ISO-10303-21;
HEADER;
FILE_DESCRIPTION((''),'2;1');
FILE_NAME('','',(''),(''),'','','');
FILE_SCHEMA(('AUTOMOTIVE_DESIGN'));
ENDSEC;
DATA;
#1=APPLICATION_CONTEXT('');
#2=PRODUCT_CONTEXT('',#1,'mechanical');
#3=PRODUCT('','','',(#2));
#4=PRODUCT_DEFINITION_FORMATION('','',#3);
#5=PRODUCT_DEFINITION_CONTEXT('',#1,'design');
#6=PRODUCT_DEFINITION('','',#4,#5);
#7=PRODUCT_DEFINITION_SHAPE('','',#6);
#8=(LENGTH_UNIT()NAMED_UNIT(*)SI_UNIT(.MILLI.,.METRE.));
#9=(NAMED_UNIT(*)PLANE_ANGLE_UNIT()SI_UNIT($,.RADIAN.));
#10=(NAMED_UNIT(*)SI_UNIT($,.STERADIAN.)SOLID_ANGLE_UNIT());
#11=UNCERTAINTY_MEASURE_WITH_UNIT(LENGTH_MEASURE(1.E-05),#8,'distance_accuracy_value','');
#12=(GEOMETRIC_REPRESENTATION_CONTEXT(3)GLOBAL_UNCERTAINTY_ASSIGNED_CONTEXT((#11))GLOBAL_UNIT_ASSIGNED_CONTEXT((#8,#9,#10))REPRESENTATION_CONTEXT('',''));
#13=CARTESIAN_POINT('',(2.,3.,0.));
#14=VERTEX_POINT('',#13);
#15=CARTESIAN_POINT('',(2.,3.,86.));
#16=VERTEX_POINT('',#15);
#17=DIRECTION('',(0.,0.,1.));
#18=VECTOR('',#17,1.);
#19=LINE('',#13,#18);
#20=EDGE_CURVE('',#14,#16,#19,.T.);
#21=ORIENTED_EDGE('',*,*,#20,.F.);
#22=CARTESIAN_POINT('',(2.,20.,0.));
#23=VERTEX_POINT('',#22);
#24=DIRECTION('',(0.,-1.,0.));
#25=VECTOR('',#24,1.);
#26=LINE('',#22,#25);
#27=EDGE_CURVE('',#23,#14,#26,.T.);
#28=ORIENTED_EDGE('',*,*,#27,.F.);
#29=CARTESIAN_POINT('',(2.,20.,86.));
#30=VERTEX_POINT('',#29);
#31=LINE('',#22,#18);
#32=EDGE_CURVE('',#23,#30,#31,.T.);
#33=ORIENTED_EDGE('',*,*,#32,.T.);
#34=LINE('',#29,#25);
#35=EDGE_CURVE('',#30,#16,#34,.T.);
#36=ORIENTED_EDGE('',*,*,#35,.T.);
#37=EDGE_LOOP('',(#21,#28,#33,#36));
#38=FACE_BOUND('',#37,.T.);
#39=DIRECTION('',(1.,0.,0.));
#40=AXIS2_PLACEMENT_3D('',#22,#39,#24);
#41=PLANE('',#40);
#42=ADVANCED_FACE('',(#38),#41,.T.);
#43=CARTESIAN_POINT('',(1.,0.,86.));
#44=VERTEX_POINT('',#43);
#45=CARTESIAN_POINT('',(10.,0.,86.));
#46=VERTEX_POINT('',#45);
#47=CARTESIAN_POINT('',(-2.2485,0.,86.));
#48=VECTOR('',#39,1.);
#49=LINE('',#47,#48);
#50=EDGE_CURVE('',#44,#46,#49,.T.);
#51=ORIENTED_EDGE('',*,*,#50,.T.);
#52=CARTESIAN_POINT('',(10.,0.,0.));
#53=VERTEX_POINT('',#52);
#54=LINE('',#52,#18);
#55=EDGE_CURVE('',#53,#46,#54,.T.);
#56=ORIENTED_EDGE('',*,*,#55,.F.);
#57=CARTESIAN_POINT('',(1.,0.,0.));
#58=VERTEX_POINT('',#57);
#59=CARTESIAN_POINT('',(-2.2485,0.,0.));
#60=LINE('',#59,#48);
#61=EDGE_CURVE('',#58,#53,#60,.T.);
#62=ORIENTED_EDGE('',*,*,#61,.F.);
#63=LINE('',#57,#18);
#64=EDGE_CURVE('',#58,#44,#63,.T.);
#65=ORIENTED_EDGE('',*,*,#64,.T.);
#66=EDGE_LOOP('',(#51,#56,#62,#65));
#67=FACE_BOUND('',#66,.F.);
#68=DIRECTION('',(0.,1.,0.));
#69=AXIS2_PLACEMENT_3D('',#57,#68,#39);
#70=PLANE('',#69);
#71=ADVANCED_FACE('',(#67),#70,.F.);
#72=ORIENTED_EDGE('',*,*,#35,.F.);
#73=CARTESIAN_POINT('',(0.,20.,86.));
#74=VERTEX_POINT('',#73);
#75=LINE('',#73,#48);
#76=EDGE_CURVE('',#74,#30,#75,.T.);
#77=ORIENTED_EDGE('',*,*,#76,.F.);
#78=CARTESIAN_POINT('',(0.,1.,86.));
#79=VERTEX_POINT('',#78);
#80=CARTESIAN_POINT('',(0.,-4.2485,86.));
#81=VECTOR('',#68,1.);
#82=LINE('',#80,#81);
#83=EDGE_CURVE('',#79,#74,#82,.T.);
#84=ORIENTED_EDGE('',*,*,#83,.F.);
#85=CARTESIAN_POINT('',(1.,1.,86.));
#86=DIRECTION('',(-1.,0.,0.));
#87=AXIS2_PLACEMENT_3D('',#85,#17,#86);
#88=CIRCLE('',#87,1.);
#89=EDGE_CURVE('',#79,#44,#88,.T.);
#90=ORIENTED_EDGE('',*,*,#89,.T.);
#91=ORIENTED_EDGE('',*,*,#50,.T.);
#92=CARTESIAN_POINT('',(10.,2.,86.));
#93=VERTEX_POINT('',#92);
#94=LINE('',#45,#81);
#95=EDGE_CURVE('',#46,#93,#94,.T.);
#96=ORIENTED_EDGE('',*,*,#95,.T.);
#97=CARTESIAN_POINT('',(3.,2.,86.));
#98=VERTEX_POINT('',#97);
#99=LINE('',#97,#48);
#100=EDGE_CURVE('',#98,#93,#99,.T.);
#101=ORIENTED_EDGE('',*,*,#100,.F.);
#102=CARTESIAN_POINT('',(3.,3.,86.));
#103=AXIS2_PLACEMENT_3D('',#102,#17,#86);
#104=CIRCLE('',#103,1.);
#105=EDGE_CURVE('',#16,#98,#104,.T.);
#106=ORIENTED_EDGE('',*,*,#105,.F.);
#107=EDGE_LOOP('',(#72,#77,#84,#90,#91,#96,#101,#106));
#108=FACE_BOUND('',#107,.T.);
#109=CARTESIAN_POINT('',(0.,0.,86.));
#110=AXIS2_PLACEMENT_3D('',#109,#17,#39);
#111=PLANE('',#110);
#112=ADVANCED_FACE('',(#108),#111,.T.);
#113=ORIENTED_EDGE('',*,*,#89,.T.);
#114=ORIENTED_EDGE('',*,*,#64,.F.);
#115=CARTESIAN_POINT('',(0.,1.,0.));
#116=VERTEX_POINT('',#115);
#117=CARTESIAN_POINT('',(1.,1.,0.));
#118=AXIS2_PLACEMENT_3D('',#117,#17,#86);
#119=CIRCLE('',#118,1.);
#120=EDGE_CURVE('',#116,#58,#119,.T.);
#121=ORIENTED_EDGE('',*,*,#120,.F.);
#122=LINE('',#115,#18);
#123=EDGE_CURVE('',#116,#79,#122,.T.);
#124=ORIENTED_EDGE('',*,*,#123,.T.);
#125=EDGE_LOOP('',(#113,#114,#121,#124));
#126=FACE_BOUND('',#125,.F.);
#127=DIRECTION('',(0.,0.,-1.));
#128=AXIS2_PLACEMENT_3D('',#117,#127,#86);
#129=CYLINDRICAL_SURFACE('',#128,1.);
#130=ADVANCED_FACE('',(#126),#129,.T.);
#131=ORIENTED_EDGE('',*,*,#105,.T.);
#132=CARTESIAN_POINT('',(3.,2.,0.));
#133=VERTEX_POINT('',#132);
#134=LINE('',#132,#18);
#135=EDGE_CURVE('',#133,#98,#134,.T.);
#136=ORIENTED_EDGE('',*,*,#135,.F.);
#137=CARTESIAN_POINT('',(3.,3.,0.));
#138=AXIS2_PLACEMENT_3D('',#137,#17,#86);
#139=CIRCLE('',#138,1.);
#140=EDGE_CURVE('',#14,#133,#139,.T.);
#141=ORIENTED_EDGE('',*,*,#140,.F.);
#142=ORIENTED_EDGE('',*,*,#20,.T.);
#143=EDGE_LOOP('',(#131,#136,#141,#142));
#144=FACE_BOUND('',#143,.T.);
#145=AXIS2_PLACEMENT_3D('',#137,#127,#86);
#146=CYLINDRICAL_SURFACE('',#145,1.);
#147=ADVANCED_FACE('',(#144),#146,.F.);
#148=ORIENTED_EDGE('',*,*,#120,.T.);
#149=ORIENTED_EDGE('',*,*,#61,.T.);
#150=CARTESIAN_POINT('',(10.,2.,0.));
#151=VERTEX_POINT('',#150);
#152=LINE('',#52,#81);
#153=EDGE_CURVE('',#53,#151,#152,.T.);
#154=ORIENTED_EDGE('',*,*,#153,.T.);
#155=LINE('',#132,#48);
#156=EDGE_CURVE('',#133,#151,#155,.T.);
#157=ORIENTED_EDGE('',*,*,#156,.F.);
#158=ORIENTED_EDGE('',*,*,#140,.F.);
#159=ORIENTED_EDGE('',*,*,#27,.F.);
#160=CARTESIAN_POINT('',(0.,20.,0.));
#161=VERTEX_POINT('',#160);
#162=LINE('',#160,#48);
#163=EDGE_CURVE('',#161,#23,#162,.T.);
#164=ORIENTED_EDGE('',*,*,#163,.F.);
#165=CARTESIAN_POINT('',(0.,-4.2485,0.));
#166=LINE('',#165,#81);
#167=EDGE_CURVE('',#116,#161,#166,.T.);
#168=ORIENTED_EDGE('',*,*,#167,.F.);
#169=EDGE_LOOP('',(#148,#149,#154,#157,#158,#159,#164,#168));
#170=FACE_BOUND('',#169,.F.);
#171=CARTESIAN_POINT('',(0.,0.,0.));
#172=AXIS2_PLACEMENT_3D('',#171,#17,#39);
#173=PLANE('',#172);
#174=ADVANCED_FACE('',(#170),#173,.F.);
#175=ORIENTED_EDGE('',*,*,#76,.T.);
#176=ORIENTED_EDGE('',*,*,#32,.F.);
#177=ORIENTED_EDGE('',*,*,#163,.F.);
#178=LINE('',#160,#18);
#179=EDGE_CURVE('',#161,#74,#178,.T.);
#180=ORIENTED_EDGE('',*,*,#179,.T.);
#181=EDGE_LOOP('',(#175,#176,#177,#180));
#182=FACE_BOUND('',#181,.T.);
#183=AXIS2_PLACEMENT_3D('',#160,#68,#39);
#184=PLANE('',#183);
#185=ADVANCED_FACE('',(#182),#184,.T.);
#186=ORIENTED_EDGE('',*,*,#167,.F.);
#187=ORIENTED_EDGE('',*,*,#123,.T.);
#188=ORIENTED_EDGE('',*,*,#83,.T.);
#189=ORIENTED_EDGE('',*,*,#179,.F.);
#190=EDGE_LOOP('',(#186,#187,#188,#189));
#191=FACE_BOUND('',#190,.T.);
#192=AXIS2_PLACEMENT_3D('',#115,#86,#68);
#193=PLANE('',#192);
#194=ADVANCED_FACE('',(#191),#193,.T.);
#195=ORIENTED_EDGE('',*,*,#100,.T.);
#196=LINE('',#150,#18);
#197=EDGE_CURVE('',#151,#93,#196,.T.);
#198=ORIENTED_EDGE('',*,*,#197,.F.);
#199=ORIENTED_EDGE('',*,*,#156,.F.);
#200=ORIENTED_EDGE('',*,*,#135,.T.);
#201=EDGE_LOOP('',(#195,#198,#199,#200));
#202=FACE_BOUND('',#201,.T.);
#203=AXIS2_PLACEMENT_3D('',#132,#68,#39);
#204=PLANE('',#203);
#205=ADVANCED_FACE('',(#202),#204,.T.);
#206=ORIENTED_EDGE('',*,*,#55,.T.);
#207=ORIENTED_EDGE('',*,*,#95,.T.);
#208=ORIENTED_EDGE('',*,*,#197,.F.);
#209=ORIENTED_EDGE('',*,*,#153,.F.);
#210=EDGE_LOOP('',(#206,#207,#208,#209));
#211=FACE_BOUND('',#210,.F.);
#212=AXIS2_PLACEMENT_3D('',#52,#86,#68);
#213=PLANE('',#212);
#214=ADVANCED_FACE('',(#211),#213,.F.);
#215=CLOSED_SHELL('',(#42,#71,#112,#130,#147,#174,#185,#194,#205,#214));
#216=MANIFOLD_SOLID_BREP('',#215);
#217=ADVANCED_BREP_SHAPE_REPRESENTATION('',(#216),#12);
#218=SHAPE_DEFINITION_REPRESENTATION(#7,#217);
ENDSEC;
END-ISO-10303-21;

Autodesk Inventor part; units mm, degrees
ref_plane "YZ Plane" through (0, 0, 0) normal (1, 0, 0) x (0, 1, 0)
ref_plane "XZ Plane" through (0, 0, 0) normal (0, 1, 0) x (-1, 0, 0)
ref_plane "XY Plane" through (0, 0, 0) normal (0, 0, 1) x (1, 0, 0)
sketch "Szkic1" plane through (0, 0, 0) normal (0, 0, 1) x (1, 0, 0)
  line L0 (-2.2485, 0) -> (12.0414, 0) projected
  line L1 (0, -4.2485) -> (0, 24.0414) projected
  line L2 (10, 0) -> (1, 0)
  line L3 (0, 1) -> (0, 20)
  line L4 (2, 20) -> (2, 3)
  line L5 (3, 2) -> (10, 2)
  line L6 (0, 20) -> (2, 20)
  line L7 (10, 0) -> (10, 2)
  arc A0 (2, 3) -> (3, 2) centre (3, 3) ccw
  arc A1 (0, 1) -> (1, 0) centre (1, 1) ccw
  point P0 (0, 0)
  dimension "d0" = 20
  dimension "d1" = 10
  dimension "d2" = 2
  dimension "d3" = 1
extrude "Wyciągnięcie proste1" add sketch "Szkic1" along normal blind 86 contours A1 L1 L6 L4 A0 L5 L7 L0
properties part number "kątownik_mały3" material "Aluminium 6061"
